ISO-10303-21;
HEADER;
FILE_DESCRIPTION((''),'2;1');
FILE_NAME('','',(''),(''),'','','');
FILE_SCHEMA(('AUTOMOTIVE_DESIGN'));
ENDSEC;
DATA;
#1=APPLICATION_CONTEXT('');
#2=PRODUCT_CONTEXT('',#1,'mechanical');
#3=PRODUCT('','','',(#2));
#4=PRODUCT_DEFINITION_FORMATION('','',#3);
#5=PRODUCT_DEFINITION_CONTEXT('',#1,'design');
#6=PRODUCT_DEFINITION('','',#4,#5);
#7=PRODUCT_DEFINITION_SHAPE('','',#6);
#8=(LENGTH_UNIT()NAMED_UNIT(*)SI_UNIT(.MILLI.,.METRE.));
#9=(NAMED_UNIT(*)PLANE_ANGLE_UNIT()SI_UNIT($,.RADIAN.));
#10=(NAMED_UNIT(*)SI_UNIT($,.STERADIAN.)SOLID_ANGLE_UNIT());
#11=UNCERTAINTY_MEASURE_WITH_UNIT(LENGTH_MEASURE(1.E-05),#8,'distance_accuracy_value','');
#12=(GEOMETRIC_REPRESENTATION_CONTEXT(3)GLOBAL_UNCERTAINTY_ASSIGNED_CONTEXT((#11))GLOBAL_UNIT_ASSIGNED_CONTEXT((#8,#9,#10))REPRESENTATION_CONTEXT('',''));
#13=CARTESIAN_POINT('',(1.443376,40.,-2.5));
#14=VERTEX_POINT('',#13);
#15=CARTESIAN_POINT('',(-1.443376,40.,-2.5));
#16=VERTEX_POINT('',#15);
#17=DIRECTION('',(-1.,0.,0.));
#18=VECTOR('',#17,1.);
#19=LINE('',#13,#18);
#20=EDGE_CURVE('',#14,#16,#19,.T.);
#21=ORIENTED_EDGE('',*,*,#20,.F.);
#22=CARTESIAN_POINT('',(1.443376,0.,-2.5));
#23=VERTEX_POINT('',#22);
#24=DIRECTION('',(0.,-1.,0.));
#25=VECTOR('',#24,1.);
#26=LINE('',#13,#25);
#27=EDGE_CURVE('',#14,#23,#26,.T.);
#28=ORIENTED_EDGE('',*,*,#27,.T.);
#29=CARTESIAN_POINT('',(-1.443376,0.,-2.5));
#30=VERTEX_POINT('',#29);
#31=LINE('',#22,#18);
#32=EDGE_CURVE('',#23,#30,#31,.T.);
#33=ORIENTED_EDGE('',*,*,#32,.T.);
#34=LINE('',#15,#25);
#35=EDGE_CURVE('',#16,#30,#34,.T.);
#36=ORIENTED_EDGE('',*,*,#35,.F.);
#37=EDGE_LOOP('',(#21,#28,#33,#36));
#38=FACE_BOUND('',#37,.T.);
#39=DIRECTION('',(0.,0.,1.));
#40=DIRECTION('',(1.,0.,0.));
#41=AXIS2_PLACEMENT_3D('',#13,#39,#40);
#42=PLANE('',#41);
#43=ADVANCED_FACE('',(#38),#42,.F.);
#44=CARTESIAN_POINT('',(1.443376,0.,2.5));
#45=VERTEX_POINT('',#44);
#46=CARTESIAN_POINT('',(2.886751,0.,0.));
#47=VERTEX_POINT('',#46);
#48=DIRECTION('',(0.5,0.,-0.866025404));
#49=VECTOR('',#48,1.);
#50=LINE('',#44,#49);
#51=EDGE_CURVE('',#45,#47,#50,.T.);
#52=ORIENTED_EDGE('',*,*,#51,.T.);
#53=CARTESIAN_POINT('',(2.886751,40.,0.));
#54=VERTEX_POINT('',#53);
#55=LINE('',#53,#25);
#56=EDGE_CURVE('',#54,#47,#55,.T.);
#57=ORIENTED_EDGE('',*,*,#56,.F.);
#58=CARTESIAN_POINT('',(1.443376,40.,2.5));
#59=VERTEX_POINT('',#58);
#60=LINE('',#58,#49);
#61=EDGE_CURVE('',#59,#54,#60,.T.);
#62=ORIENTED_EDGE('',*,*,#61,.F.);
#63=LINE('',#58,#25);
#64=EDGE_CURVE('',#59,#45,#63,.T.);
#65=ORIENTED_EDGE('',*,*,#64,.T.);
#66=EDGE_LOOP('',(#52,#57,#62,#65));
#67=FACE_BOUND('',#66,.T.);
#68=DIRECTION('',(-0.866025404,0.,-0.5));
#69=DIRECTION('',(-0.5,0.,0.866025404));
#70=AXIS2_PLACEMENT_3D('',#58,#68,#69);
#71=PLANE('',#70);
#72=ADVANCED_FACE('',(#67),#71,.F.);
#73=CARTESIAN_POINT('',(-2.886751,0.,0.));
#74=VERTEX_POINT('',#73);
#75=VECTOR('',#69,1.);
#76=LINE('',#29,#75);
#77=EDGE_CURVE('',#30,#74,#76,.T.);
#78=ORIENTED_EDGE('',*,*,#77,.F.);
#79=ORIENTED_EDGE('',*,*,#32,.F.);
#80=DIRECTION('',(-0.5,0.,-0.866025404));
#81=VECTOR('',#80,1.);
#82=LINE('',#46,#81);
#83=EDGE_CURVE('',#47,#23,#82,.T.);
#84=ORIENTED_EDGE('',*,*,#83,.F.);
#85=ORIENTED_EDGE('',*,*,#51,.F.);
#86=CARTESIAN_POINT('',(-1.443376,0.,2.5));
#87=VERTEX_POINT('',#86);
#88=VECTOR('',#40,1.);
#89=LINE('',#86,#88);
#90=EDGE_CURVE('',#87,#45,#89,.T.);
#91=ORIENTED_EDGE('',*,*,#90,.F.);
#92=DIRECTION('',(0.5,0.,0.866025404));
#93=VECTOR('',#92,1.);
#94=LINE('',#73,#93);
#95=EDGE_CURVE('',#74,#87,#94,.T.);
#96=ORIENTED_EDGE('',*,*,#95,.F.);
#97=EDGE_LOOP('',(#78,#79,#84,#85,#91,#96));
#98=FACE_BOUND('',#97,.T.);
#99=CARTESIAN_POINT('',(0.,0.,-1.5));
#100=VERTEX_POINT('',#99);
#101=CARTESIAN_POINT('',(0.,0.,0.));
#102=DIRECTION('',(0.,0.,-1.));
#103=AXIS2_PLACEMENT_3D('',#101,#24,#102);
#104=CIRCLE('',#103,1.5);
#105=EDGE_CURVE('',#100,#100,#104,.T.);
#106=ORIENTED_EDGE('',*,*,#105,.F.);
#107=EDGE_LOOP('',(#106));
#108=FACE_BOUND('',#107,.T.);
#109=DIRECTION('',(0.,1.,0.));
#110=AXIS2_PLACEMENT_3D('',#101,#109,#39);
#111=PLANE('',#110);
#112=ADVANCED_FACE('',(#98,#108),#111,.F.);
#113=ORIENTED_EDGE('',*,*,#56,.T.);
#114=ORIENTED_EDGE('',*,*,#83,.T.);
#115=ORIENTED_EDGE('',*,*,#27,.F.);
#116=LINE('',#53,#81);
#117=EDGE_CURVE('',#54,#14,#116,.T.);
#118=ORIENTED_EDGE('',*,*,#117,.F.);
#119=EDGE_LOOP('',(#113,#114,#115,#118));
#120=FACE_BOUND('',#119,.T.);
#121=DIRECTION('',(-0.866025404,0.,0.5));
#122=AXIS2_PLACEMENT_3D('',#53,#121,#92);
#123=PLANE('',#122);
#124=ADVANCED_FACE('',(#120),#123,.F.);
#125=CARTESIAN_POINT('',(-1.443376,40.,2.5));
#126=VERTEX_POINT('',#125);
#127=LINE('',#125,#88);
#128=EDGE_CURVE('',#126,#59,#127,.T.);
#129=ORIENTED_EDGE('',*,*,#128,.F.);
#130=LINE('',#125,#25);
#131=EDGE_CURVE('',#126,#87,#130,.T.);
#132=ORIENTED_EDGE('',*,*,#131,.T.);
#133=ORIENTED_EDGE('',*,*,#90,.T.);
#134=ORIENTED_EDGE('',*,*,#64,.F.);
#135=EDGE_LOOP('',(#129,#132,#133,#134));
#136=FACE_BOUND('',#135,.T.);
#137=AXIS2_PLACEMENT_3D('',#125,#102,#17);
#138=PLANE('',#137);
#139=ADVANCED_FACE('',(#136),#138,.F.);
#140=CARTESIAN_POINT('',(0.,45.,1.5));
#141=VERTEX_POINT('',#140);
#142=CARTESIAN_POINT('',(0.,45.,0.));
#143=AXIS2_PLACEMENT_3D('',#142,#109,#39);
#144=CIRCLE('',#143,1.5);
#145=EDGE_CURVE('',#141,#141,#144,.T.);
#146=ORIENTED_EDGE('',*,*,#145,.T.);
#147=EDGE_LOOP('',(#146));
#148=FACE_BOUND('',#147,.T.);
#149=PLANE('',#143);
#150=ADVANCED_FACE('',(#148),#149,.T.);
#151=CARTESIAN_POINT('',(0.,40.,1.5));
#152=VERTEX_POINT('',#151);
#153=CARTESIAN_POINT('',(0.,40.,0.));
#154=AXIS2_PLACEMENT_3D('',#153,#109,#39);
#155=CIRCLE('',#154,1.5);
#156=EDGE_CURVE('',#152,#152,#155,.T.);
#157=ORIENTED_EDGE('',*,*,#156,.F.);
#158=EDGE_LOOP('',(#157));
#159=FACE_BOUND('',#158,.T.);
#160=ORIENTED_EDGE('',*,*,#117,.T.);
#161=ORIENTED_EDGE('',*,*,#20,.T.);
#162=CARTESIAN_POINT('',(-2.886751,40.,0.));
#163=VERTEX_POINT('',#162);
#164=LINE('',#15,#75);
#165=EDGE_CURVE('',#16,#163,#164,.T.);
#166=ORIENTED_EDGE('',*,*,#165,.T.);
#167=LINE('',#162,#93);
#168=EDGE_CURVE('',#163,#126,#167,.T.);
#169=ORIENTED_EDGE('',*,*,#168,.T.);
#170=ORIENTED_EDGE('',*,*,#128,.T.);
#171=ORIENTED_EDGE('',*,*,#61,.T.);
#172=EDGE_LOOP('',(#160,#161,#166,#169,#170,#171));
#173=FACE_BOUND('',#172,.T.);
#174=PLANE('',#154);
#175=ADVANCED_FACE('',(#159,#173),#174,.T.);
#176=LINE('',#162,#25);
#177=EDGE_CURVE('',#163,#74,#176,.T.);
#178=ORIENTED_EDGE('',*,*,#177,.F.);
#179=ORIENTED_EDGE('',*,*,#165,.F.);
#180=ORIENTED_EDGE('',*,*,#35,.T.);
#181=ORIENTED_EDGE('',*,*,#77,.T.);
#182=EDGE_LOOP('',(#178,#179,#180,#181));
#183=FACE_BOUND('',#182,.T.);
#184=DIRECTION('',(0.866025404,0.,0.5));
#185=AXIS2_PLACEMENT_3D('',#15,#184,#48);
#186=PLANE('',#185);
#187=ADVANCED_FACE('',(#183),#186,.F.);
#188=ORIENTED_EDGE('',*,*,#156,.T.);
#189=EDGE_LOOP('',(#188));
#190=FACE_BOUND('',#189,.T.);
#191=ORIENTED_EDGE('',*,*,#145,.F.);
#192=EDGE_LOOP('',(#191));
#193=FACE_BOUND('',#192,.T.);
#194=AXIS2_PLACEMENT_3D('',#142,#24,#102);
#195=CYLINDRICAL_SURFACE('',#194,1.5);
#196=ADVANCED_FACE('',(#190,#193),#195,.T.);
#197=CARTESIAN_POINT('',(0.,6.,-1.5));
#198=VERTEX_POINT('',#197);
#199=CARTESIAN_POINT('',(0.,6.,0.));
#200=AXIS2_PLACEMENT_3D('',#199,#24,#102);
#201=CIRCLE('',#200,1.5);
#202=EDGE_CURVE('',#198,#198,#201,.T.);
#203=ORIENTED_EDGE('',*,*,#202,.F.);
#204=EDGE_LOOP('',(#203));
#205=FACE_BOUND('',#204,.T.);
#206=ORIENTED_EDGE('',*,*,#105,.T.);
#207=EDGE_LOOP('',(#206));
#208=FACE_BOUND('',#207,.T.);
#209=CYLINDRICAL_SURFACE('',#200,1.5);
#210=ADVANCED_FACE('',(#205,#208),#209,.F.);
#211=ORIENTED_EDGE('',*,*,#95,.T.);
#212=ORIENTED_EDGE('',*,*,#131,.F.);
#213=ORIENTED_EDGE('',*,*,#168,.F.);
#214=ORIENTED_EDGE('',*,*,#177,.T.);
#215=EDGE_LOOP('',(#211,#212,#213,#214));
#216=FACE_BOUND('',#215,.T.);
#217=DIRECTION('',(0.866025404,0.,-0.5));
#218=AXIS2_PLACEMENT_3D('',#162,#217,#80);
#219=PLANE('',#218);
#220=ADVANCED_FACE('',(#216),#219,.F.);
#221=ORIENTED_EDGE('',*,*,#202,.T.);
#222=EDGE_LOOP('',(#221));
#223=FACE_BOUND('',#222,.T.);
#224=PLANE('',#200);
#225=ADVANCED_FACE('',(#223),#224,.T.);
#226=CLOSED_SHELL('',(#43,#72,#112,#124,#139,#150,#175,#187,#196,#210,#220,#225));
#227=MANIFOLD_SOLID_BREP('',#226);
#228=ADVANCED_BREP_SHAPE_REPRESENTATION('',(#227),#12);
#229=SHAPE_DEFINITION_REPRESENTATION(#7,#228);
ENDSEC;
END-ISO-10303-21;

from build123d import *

# Parameters (mm, degrees)
EXTRUDE_1_DEPTH     = 40
SKETCH_2_R          = 1.5
EXTRUDE_2_DEPTH     = 5
SKETCH_3_R          = 1.5
CUT_EXTRUDE_1_DEPTH = 6


with BuildPart() as part:
    # 스케치1 → 보스-돌출1 (new body)
    with BuildSketch(Plane(origin=(0, 0, 0), x_dir=(1, 0, 0), z_dir=(0, 1, 0))):
        Polygon((-1.443375673, -2.5), (1.443375673, -2.5), (2.886751346, 0), (1.443375673, 2.5), (-1.443375673, 2.5), (-2.886751346, 0), align=None)
    extrude(amount=EXTRUDE_1_DEPTH)

    # 스케치2 → 보스-돌출2 (add)
    with BuildSketch(Plane(origin=(0, 40, 0), x_dir=(1, 0, 0), z_dir=(0, 1, 0))):
        with Locations(Location((0, 0, 0), (0, 0, 270))):
            Circle(SKETCH_2_R)
    extrude(amount=EXTRUDE_2_DEPTH)

    # 스케치3 → 컷-돌출1 (cut)
    with BuildSketch(Plane.XZ):
        with Locations(Location((0, 0, 0), (0, 0, 90))):
            Circle(SKETCH_3_R)
    extrude(amount=-CUT_EXTRUDE_1_DEPTH, mode=Mode.SUBTRACT)


solid = part.part
